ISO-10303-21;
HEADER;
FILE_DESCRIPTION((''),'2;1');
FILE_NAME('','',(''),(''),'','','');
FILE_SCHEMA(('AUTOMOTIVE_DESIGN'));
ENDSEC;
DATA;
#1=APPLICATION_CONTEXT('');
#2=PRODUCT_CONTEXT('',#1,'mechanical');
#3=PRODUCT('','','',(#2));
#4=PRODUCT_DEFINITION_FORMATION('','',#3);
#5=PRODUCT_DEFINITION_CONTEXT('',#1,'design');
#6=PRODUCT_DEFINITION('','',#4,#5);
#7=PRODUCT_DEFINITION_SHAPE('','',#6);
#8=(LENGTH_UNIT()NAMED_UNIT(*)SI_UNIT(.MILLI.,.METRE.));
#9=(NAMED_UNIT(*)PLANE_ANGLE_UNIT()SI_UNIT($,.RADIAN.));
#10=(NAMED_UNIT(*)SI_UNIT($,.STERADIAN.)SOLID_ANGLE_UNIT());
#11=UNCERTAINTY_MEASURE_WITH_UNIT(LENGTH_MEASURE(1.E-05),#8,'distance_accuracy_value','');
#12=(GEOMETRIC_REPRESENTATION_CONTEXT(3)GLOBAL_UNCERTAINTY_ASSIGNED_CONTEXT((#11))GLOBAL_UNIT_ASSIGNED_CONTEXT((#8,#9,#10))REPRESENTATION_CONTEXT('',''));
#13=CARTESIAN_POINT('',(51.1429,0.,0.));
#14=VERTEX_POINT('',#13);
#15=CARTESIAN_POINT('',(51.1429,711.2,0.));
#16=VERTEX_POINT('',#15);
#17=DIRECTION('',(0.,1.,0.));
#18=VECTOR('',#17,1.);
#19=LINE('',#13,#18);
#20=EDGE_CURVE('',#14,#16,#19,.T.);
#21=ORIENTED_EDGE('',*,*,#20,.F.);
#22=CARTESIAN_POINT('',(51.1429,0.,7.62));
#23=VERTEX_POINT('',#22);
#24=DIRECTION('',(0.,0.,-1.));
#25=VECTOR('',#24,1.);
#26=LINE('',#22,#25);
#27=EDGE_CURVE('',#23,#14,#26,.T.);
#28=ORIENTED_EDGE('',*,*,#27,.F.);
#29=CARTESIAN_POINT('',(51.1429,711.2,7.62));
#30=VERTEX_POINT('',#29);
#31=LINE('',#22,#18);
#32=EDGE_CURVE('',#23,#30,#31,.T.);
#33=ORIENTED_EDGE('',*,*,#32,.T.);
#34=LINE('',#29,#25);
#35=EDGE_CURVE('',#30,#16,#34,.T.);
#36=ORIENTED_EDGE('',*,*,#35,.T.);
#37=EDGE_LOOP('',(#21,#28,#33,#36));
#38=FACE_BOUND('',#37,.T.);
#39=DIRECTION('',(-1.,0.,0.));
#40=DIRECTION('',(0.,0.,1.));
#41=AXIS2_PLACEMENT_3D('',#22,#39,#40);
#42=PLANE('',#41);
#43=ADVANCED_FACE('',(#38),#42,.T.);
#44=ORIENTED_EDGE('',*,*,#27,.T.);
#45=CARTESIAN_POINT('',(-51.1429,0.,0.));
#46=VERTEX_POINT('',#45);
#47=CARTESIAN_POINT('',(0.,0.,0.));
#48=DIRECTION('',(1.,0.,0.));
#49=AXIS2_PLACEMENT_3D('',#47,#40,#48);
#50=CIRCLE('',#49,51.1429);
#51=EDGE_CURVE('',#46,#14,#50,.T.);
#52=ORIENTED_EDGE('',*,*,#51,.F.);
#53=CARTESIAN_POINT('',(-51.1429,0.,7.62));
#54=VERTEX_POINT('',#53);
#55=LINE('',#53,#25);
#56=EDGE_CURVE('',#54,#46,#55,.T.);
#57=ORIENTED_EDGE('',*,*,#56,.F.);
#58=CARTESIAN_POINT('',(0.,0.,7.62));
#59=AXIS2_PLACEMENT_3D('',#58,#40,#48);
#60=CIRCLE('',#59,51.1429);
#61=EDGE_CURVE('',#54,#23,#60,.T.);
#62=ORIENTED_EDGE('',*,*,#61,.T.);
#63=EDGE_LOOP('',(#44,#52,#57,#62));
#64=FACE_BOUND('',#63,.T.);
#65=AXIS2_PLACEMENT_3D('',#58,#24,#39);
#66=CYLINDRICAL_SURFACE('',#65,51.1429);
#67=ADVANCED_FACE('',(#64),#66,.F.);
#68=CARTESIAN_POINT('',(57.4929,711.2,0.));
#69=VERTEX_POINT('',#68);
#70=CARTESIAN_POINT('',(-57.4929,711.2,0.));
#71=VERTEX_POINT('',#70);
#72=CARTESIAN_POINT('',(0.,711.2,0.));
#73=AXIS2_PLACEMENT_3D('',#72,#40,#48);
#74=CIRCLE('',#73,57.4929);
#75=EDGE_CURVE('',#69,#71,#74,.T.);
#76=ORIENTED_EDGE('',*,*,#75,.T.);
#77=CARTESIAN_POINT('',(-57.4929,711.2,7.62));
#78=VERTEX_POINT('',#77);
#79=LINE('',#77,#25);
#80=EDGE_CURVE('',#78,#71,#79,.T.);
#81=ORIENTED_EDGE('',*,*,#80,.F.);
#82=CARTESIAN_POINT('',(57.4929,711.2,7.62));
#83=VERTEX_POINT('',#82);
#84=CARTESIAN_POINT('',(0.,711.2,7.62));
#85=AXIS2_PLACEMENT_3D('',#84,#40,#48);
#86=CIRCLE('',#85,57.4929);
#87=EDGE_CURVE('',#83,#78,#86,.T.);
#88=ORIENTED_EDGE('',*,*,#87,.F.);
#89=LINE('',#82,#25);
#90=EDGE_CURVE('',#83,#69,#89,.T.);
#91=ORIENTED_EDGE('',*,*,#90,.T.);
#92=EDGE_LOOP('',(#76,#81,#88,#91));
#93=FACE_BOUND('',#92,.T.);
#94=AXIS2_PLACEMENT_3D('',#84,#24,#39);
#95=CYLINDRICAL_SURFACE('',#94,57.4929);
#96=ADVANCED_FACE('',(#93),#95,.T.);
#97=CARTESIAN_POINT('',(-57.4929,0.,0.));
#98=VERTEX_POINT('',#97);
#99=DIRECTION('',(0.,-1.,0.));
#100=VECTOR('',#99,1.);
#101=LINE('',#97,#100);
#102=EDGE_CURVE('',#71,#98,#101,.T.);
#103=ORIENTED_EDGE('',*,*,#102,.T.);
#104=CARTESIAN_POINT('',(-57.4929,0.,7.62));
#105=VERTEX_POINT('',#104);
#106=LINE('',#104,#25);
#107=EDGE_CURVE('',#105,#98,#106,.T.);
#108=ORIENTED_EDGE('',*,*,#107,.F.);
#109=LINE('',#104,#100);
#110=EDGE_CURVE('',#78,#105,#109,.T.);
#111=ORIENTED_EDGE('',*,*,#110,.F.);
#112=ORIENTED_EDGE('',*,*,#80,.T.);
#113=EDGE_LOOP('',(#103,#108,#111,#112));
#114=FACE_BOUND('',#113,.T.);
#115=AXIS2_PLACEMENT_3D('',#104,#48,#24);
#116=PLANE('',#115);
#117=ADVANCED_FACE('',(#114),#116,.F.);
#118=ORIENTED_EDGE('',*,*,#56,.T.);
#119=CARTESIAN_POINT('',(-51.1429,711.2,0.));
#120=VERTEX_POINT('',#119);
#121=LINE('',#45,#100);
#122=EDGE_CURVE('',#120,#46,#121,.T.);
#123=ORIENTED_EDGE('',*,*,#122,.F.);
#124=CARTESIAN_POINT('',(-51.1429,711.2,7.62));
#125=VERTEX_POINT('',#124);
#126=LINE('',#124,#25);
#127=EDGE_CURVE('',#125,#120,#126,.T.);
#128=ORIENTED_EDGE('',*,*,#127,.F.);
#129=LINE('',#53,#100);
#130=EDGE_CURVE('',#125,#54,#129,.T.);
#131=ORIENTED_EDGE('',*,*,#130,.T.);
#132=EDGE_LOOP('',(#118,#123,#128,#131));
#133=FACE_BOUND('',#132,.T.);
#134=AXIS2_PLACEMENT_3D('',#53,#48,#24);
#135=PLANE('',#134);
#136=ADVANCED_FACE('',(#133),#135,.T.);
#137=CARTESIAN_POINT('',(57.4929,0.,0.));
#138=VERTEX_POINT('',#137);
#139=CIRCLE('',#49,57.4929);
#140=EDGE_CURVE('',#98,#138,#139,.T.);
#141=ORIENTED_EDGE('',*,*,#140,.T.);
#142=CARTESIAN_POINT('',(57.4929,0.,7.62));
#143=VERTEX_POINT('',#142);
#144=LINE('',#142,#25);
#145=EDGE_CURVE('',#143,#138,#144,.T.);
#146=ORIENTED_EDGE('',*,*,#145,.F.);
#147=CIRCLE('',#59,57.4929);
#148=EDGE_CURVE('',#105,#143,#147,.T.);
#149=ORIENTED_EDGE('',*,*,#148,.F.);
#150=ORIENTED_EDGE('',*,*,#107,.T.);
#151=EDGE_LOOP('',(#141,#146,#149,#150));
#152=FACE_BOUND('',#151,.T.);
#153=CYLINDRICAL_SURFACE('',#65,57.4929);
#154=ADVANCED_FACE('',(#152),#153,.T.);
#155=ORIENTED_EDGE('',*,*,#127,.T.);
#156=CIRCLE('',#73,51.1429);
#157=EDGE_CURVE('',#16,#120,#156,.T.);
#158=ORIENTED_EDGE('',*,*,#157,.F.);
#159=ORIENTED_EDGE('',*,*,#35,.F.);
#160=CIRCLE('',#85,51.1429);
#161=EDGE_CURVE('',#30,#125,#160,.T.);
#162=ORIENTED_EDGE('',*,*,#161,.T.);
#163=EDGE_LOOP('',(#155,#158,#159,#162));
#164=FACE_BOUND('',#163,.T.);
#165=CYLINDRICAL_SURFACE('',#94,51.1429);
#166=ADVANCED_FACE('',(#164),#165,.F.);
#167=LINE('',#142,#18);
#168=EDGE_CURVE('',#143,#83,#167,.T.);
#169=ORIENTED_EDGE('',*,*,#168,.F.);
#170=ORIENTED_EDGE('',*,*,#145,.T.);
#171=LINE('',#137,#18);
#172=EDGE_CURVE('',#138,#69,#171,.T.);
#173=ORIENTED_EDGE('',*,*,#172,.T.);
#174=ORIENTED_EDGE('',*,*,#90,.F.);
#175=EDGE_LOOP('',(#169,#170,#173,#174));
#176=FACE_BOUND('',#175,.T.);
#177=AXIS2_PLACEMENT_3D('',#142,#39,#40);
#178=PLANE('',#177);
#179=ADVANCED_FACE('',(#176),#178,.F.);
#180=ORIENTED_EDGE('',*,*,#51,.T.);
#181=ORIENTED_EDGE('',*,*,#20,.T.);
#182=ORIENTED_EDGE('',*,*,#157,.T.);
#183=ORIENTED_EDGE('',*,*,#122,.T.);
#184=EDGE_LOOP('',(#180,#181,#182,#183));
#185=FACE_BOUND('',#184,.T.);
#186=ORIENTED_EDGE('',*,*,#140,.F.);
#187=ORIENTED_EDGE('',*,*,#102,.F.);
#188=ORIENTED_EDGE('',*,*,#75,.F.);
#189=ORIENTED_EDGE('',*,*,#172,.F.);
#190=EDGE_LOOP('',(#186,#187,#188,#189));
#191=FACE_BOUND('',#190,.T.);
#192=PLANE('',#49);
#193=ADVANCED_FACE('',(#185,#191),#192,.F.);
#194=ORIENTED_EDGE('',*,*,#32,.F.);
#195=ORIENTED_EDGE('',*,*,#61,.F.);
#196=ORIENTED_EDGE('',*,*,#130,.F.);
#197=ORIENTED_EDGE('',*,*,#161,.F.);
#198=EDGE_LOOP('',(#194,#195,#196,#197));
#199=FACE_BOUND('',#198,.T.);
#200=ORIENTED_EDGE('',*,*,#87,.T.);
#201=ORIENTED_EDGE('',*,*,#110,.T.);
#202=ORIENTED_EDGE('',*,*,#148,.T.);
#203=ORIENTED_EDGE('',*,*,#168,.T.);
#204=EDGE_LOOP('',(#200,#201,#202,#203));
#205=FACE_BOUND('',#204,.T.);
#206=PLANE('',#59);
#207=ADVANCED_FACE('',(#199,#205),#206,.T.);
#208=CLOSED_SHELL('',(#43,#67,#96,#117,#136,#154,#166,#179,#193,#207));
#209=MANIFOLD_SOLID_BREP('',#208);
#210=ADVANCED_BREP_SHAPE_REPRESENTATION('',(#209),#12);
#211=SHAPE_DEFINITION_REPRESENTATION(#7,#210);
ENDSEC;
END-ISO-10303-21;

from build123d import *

# Parameters (mm, degrees)
BOSS_EXTRUDE1_DEPTH = 7.62


with BuildPart() as part:
    # Sketch1 → Boss-Extrude1 (new body)
    with BuildSketch(Plane.XY):
        with BuildLine():
            Line((-57.4929, 0), (-57.4929, 711.2))
            ThreePointArc((-57.4929, 711.2), (0, 768.6929), (57.4929, 711.2))
            Line((57.4929, 711.2), (57.4929, 0))
            ThreePointArc((57.4929, 0), (0, -57.4929), (-57.4929, 0))
        make_face()
        with BuildLine():
            Line((-51.1429, 0), (-51.1429, 711.2))
            ThreePointArc((-51.1429, 711.2), (0, 762.3429), (51.1429, 711.2))
            Line((51.1429, 711.2), (51.1429, 0))
            ThreePointArc((51.1429, 0), (0, -51.1429), (-51.1429, 0))
        make_face(mode=Mode.SUBTRACT)
    extrude(amount=BOSS_EXTRUDE1_DEPTH)


solid = part.part
